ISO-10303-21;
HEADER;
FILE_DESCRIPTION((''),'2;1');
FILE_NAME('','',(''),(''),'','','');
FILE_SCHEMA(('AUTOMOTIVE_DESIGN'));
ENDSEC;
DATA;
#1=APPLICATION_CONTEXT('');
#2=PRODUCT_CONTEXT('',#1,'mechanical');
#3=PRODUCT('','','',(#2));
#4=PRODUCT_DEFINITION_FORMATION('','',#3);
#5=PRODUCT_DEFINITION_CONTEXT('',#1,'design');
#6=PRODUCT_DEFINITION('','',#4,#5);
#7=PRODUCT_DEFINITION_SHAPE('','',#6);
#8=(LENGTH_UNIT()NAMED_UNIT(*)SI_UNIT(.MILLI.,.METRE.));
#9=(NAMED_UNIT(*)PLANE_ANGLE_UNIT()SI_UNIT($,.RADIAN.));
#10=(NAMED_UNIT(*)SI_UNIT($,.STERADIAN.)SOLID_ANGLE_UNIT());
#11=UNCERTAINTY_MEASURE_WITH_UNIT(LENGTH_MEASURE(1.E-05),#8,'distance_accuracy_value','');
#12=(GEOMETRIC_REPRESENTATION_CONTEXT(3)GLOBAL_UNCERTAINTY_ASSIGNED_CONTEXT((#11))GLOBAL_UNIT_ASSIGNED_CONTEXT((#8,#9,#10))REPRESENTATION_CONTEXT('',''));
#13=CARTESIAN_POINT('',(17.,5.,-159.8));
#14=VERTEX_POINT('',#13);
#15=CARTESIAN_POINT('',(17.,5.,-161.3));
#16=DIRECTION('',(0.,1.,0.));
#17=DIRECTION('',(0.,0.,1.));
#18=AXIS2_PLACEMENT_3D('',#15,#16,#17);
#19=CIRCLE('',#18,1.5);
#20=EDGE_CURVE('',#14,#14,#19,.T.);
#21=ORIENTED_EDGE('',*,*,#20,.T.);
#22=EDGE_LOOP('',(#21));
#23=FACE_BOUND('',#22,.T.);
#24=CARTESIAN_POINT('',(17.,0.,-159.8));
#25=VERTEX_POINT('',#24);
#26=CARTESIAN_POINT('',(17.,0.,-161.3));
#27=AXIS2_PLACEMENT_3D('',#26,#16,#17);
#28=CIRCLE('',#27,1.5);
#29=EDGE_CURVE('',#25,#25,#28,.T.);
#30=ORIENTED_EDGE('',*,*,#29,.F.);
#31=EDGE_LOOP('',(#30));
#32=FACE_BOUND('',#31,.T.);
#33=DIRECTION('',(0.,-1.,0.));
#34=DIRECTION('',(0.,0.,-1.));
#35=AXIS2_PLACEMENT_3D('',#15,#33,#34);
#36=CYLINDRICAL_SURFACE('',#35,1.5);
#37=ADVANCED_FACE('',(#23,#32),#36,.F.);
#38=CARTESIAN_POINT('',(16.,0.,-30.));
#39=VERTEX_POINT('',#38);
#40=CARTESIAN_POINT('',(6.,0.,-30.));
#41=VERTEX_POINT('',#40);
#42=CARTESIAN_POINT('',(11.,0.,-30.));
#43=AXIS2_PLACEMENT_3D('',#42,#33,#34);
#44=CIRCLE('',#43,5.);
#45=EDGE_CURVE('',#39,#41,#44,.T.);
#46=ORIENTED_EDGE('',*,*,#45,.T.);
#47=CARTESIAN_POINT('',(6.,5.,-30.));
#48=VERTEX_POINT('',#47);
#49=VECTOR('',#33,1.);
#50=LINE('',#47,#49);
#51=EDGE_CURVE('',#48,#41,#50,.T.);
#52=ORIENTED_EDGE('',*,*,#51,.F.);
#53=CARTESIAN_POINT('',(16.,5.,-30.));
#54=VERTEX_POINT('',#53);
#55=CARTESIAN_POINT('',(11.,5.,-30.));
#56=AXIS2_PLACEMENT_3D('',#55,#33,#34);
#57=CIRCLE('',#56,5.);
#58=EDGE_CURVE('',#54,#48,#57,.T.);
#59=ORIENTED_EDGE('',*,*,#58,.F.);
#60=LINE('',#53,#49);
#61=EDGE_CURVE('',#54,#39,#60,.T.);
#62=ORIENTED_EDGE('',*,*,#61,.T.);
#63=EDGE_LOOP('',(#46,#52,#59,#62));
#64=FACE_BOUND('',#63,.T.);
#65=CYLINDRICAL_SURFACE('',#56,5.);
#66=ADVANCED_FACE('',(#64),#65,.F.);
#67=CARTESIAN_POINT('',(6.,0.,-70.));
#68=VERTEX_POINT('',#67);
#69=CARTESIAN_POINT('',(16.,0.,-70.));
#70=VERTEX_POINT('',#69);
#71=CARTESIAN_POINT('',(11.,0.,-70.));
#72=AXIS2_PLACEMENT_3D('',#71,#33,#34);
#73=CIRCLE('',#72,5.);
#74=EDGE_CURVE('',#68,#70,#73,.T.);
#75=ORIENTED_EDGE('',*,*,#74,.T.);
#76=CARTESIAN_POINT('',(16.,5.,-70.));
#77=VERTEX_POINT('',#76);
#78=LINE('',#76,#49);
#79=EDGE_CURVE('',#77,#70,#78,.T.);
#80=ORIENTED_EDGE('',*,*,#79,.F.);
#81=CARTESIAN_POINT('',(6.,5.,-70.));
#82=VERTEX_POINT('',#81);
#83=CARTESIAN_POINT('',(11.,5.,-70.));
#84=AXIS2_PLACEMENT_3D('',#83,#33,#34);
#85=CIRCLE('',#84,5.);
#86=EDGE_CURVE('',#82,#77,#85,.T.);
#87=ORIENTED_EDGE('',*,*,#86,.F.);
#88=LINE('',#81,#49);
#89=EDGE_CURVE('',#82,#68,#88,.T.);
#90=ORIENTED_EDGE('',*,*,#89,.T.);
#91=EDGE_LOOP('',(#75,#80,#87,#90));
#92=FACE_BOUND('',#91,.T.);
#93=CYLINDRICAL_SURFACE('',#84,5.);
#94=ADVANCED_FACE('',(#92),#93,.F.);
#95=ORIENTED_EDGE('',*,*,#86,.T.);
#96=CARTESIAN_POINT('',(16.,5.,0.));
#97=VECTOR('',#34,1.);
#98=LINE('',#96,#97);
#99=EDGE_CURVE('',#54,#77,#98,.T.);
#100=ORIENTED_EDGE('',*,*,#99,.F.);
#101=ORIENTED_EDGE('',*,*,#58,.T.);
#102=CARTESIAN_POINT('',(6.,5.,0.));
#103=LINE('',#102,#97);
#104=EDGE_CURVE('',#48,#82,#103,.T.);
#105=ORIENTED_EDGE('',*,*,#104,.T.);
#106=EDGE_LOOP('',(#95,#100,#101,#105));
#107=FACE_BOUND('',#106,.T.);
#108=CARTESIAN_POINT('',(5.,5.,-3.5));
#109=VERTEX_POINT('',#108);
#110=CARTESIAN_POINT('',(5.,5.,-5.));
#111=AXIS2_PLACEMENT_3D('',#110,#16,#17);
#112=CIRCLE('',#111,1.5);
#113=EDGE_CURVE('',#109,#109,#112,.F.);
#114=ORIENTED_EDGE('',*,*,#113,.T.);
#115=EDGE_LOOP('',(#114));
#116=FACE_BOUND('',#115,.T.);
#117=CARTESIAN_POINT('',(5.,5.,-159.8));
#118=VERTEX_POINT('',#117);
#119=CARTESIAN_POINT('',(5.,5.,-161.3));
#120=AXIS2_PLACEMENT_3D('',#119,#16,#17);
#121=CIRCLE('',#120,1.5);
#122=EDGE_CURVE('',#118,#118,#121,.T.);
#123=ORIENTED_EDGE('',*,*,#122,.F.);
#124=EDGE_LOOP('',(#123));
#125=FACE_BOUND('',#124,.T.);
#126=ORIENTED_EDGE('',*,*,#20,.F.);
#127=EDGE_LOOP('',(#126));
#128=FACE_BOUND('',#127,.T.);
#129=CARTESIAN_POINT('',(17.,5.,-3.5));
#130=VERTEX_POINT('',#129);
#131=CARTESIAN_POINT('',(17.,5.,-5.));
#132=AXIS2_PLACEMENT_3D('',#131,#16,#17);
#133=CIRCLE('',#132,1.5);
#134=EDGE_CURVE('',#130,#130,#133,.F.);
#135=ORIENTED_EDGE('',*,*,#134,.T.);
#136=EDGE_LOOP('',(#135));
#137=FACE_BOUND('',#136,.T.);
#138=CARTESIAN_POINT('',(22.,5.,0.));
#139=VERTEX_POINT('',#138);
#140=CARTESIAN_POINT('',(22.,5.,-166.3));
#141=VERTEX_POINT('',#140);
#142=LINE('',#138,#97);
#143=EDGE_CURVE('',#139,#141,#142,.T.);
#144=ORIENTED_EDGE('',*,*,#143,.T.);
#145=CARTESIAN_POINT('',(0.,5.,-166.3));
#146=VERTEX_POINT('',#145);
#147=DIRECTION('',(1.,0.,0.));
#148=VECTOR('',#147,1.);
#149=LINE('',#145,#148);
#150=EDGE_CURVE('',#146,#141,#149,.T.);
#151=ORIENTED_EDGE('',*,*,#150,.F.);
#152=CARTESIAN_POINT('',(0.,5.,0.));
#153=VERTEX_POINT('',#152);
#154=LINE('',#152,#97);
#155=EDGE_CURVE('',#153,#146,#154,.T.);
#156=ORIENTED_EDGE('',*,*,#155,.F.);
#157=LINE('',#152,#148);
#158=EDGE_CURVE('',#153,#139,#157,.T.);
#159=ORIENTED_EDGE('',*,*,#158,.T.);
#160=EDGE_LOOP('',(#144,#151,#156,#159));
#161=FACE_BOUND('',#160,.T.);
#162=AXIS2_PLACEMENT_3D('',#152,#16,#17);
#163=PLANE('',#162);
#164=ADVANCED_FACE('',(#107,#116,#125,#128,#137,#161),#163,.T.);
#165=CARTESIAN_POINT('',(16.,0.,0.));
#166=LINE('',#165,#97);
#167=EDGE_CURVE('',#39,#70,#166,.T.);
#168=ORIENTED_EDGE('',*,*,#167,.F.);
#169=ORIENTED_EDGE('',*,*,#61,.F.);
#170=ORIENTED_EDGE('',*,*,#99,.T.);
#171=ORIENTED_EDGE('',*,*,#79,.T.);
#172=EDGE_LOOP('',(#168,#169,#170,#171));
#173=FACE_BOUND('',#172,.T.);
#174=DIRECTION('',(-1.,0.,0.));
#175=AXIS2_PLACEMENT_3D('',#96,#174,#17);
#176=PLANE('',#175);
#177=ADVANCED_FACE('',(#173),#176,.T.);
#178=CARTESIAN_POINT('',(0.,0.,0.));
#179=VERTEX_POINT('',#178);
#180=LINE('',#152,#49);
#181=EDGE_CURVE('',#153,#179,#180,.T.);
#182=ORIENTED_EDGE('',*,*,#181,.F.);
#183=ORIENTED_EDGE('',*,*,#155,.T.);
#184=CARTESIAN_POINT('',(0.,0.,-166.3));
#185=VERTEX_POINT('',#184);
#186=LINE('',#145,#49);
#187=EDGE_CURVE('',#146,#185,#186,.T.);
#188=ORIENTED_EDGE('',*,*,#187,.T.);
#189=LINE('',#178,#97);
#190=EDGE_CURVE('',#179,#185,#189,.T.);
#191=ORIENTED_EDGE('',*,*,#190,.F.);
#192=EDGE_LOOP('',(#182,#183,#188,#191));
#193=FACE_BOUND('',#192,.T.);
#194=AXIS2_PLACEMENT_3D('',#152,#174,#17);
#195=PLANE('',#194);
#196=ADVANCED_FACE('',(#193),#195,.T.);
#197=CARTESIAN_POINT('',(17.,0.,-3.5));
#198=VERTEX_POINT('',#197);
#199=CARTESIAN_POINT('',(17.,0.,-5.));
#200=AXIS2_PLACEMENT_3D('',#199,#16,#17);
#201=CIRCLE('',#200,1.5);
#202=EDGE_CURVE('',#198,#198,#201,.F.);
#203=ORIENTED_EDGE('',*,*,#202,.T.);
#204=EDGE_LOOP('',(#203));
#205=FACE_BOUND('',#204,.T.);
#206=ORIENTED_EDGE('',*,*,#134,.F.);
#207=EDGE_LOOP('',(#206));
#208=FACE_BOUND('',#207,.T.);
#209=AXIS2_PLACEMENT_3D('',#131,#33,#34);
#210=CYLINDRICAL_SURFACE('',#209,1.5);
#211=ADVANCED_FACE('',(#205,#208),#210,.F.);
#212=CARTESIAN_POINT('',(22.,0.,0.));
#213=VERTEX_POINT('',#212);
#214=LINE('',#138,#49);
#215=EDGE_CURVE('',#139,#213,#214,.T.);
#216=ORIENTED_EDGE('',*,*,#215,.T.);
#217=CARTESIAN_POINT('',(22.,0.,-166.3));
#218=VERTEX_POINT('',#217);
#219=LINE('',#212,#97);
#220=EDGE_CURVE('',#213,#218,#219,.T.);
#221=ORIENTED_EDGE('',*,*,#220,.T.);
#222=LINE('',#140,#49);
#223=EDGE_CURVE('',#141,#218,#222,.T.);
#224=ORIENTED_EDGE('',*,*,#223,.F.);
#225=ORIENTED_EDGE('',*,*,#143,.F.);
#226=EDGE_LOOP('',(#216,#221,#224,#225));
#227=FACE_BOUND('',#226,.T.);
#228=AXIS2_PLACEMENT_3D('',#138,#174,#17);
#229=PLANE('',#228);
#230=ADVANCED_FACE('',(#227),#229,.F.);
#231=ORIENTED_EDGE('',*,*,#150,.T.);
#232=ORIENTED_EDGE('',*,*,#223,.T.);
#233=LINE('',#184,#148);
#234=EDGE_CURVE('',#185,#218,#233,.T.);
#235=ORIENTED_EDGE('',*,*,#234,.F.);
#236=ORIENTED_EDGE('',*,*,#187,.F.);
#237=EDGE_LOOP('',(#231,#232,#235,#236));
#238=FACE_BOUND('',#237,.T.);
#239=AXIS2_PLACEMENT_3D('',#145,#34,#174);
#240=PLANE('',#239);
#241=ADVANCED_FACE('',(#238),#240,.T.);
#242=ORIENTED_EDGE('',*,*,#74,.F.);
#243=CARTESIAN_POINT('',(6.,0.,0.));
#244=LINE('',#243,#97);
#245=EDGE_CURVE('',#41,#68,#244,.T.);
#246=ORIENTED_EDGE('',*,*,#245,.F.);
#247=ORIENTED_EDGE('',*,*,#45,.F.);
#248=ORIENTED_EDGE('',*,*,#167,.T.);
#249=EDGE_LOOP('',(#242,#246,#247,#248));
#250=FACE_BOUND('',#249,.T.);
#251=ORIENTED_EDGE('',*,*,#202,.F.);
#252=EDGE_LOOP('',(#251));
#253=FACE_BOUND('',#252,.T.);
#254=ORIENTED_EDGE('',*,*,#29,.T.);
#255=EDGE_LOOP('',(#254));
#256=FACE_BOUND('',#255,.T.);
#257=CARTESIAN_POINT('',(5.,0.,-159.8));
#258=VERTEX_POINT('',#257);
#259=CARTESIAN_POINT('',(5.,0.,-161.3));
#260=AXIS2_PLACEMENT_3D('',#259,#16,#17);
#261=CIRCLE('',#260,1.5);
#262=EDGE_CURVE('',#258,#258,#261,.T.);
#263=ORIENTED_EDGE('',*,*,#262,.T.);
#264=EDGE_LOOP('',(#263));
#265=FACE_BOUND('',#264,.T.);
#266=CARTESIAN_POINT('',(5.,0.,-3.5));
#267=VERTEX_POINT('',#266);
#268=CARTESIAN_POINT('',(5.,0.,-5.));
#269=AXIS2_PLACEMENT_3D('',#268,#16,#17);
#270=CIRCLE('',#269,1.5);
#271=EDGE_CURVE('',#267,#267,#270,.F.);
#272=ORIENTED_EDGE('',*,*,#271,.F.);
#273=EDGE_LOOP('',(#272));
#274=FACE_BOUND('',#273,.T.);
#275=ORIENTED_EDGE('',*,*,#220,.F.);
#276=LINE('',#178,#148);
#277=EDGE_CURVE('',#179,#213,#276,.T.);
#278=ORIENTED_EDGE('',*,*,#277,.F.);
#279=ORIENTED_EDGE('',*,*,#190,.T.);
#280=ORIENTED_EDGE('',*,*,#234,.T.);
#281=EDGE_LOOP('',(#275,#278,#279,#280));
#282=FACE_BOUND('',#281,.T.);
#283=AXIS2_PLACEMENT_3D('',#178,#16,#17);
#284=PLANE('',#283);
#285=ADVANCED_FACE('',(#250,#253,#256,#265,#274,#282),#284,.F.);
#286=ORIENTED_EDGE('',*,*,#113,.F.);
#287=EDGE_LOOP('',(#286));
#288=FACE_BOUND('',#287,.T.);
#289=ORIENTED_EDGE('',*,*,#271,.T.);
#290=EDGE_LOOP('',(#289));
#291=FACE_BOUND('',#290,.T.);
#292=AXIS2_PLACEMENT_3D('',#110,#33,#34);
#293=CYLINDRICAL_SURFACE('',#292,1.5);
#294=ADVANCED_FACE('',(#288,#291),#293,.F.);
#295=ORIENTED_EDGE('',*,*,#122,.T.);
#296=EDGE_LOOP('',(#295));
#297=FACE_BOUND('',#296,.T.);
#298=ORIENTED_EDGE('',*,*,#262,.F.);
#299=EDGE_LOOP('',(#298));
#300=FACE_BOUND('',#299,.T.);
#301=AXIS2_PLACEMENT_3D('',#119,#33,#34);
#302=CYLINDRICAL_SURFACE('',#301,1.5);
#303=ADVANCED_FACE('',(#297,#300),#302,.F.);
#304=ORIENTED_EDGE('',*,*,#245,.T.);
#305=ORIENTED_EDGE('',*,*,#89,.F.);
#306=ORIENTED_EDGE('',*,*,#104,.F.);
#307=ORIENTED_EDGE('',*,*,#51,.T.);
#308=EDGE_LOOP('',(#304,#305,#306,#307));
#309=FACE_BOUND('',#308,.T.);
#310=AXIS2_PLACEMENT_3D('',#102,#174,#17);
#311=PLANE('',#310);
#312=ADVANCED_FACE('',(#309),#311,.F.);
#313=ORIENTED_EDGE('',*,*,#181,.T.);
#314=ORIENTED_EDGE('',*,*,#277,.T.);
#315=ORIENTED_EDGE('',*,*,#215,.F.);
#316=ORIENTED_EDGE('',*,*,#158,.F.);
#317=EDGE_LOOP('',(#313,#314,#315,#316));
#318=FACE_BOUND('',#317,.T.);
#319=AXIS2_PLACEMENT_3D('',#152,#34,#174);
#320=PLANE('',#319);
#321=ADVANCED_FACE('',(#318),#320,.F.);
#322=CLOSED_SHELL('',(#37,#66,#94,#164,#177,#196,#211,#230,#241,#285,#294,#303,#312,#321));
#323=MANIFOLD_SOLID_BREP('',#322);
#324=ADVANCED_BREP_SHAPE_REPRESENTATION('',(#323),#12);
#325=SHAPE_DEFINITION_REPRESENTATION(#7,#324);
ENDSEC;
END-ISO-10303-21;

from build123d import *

# Parameters (mm, degrees)
SKETCH1_W           = 22
SKETCH1_H           = 166.3
SKETCH1_R           = 1.5
BOSS_EXTRUDE1_DEPTH = 5
CUT_EXTRUDE1_DEPTH  = 5


with BuildPart() as part:
    # Sketch1 → Boss-Extrude1 (new body)
    with BuildSketch(Plane(origin=(0, 0, 0), x_dir=(1, 0, 0), z_dir=(0, 1, 0))):
        with Locations((11, 83.15)):
            Rectangle(SKETCH1_W, SKETCH1_H)
        with Locations(Location((5, 161.3, 0), (0, 0, 270))):
            Circle(SKETCH1_R, mode=Mode.SUBTRACT)
        with Locations(Location((17, 161.3, 0), (0, 0, 270))):
            Circle(SKETCH1_R, mode=Mode.SUBTRACT)
        with Locations(Location((17, 5, 0), (0, 0, 270))):
            Circle(SKETCH1_R, mode=Mode.SUBTRACT)
        with Locations(Location((5, 5, 0), (0, 0, 270))):
            Circle(SKETCH1_R, mode=Mode.SUBTRACT)
    extrude(amount=BOSS_EXTRUDE1_DEPTH)

    # Sketch2 → Cut-Extrude1 (cut)
    with BuildSketch(Plane(origin=(0, 0, 0), x_dir=(-1, 0, 0), z_dir=(0, -1, 0))):
        with BuildLine():
            Line((-16, 30), (-16, 70))
            ThreePointArc((-16, 70), (-11, 75), (-6, 70))
            Line((-6, 70), (-6, 30))
            ThreePointArc((-6, 30), (-11, 25), (-16, 30))
        make_face()
    extrude(amount=-CUT_EXTRUDE1_DEPTH, mode=Mode.SUBTRACT)


solid = part.part
